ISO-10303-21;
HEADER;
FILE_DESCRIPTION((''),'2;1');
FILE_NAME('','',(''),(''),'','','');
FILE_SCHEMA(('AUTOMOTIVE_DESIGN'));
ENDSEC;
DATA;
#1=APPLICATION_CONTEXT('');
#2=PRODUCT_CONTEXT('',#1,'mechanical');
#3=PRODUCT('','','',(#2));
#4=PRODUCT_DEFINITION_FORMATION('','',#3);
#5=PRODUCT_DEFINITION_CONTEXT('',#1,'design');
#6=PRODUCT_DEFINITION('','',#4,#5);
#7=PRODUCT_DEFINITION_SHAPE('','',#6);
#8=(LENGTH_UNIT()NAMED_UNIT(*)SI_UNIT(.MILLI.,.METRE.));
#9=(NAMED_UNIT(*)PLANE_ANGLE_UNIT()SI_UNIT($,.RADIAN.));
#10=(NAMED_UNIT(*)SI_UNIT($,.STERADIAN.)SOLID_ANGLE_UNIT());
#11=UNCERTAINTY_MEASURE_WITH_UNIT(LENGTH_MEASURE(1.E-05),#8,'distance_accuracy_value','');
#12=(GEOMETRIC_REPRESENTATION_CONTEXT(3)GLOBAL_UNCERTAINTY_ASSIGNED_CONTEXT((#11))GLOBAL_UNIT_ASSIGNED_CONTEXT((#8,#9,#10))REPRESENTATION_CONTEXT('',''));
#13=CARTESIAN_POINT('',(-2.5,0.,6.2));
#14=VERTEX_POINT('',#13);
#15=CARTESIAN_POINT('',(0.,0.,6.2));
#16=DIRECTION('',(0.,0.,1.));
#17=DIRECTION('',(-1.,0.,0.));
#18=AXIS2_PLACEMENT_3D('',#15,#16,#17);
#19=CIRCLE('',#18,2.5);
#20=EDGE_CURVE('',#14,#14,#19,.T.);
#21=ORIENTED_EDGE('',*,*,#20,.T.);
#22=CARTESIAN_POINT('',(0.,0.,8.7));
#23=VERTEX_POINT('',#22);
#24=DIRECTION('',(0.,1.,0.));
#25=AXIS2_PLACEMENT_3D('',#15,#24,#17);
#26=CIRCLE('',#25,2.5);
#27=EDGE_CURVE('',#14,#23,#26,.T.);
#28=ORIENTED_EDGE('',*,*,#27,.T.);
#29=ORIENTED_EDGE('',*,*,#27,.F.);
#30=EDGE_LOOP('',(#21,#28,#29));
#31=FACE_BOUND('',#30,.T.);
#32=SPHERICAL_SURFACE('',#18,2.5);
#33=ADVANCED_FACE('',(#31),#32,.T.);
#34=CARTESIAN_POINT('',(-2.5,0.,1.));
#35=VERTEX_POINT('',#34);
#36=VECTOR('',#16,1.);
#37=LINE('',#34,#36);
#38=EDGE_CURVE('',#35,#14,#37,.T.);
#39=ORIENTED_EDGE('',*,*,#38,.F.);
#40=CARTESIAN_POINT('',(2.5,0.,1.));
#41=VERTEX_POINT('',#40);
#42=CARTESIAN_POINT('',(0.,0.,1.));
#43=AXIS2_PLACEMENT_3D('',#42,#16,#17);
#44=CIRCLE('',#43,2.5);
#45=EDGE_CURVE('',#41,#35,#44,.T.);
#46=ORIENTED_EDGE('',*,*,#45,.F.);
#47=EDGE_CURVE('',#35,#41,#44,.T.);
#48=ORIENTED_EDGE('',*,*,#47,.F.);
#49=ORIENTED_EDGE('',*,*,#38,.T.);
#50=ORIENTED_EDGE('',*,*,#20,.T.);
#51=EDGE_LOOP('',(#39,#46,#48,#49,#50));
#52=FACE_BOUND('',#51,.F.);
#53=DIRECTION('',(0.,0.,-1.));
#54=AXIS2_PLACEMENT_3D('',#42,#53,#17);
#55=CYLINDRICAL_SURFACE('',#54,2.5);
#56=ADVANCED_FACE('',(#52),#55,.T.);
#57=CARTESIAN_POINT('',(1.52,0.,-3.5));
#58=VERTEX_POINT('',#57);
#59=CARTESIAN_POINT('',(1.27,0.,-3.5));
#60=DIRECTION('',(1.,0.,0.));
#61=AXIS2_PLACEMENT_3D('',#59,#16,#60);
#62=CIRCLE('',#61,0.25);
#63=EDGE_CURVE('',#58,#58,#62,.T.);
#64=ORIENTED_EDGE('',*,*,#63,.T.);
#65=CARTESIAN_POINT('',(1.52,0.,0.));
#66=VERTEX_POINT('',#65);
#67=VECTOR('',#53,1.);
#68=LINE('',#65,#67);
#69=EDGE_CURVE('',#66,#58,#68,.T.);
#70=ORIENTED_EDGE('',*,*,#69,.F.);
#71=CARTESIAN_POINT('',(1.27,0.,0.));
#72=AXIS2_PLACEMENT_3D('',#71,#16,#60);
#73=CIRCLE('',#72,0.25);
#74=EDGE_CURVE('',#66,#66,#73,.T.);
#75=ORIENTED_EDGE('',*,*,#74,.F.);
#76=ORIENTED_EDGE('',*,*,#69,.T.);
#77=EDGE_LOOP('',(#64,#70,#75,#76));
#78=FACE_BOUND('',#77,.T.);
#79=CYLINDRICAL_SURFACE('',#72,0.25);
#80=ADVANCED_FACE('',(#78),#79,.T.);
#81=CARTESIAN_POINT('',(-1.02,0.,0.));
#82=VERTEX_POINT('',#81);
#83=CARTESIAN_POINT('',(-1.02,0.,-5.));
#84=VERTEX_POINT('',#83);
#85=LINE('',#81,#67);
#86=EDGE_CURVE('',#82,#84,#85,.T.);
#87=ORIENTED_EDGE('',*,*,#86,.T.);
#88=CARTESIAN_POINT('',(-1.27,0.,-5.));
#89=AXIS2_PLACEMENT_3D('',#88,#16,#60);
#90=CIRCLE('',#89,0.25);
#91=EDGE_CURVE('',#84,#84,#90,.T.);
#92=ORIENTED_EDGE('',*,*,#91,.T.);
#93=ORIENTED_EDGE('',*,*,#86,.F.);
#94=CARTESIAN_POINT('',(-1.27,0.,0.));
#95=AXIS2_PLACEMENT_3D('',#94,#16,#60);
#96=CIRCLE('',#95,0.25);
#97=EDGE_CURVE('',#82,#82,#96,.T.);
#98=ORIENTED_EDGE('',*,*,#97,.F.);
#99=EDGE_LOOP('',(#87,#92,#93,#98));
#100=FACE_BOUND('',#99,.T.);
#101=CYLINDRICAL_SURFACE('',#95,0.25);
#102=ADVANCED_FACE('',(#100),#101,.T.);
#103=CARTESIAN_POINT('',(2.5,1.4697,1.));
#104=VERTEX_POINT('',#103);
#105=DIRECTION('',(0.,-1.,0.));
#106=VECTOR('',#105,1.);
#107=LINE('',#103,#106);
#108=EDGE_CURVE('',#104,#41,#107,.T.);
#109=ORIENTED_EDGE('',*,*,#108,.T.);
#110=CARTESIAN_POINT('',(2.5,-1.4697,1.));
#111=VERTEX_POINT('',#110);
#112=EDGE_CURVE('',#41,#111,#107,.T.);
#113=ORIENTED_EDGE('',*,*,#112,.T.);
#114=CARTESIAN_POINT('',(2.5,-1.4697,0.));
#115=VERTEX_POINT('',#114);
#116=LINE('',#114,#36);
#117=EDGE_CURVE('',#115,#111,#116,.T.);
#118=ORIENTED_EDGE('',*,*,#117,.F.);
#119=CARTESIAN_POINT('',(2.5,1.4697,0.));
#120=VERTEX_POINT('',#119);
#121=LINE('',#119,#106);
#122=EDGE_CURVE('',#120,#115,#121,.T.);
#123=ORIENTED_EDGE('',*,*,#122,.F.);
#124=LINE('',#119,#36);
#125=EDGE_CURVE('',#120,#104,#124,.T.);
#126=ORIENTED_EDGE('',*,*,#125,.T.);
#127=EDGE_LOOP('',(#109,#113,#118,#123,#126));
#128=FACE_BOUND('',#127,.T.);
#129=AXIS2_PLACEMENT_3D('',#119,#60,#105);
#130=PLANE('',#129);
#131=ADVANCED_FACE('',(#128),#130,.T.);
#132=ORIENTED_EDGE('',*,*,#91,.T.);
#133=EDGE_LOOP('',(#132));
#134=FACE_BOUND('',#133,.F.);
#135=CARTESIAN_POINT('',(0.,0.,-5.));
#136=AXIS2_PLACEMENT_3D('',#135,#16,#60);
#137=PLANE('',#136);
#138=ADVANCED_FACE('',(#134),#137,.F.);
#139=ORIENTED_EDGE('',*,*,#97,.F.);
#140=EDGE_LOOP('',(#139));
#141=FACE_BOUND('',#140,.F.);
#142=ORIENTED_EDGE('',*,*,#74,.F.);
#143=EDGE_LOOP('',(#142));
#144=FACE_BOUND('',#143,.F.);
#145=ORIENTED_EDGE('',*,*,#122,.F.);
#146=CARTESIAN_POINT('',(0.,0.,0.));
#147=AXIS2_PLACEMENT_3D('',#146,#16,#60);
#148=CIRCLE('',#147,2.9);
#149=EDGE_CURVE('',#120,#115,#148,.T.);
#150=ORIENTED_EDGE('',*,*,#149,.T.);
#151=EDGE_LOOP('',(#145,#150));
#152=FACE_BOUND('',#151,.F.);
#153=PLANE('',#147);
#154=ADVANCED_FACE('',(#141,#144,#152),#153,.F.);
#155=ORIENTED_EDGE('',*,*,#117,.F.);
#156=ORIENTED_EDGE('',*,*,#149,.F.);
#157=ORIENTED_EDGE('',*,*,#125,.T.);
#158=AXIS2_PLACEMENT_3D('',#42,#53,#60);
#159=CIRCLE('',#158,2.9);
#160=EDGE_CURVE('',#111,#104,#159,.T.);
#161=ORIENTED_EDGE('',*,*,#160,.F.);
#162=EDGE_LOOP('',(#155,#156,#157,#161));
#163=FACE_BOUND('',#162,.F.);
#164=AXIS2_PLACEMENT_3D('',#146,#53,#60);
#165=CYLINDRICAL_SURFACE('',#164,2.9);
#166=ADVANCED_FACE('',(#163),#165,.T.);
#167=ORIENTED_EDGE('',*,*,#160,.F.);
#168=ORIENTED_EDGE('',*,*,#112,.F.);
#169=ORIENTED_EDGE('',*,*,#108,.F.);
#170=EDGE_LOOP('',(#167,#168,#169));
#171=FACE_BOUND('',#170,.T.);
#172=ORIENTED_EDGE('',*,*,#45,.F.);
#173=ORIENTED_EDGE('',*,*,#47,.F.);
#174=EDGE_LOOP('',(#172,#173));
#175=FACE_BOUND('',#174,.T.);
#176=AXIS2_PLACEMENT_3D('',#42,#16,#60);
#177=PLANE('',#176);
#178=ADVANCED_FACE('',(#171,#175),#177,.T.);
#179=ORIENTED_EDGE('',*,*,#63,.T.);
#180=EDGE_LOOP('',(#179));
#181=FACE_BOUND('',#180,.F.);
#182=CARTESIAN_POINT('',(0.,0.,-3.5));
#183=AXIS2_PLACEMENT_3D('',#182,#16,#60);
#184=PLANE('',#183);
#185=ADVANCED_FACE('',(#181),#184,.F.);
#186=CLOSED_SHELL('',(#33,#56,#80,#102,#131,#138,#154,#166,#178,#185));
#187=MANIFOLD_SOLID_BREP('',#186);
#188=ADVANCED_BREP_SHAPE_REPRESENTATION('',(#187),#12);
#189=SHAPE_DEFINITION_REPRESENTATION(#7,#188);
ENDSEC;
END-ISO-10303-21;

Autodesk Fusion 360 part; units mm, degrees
sketch "スケッチ1" plane through (0, 0, 0) normal (0, 0, 1) x (1, 0, 0)
  circle A0 centre (0, 0) radius 2.9
  line L0 (2.5, 1.4697) -> (2.5, -1.4697)
  circle A1 centre (-1.27, 0) radius 0.25
  line L1 (-3.5255, 0) -> (3.8644, 0) construction
  line L2 (0, 3.5138) -> (0, -4.0944) construction
  circle A2 centre (1.27, 0) radius 0.25
  dimension "d1" = 5.8
  dimension "d8" = 2.5
  dimension "d11" = 0.5
  dimension "d14" = 1.27
extrude "押し出し1" add sketch "スケッチ1" along normal blind 1 contours A0 L0 | A0 L0 | A1 | A2
sketch "スケッチ2" plane through (0, 0, 1) normal (0, 0, 1) x (-1, 0, 0)
  circle A0 centre (0, 0) radius 2.9
  circle A1 centre (0, 0) radius 2.5
  dimension "d4" = 5
extrude "押し出し2" add sketch "スケッチ2" along normal blind 7.7 contours A1
fillet "フィレット1" radius 2.5 1 edges at (2.3308, 0.904, 8.7)
extrude "押し出し3" cut sketch "スケッチ1" along normal blind 1 contours A0 L0 picked at (2.5576, -0.3752)
extrude "押し出し4" add sketch "スケッチ1" against normal blind 5 contours A1
extrude "押し出し5" add sketch "スケッチ1" against normal blind 3.5 contours A2
